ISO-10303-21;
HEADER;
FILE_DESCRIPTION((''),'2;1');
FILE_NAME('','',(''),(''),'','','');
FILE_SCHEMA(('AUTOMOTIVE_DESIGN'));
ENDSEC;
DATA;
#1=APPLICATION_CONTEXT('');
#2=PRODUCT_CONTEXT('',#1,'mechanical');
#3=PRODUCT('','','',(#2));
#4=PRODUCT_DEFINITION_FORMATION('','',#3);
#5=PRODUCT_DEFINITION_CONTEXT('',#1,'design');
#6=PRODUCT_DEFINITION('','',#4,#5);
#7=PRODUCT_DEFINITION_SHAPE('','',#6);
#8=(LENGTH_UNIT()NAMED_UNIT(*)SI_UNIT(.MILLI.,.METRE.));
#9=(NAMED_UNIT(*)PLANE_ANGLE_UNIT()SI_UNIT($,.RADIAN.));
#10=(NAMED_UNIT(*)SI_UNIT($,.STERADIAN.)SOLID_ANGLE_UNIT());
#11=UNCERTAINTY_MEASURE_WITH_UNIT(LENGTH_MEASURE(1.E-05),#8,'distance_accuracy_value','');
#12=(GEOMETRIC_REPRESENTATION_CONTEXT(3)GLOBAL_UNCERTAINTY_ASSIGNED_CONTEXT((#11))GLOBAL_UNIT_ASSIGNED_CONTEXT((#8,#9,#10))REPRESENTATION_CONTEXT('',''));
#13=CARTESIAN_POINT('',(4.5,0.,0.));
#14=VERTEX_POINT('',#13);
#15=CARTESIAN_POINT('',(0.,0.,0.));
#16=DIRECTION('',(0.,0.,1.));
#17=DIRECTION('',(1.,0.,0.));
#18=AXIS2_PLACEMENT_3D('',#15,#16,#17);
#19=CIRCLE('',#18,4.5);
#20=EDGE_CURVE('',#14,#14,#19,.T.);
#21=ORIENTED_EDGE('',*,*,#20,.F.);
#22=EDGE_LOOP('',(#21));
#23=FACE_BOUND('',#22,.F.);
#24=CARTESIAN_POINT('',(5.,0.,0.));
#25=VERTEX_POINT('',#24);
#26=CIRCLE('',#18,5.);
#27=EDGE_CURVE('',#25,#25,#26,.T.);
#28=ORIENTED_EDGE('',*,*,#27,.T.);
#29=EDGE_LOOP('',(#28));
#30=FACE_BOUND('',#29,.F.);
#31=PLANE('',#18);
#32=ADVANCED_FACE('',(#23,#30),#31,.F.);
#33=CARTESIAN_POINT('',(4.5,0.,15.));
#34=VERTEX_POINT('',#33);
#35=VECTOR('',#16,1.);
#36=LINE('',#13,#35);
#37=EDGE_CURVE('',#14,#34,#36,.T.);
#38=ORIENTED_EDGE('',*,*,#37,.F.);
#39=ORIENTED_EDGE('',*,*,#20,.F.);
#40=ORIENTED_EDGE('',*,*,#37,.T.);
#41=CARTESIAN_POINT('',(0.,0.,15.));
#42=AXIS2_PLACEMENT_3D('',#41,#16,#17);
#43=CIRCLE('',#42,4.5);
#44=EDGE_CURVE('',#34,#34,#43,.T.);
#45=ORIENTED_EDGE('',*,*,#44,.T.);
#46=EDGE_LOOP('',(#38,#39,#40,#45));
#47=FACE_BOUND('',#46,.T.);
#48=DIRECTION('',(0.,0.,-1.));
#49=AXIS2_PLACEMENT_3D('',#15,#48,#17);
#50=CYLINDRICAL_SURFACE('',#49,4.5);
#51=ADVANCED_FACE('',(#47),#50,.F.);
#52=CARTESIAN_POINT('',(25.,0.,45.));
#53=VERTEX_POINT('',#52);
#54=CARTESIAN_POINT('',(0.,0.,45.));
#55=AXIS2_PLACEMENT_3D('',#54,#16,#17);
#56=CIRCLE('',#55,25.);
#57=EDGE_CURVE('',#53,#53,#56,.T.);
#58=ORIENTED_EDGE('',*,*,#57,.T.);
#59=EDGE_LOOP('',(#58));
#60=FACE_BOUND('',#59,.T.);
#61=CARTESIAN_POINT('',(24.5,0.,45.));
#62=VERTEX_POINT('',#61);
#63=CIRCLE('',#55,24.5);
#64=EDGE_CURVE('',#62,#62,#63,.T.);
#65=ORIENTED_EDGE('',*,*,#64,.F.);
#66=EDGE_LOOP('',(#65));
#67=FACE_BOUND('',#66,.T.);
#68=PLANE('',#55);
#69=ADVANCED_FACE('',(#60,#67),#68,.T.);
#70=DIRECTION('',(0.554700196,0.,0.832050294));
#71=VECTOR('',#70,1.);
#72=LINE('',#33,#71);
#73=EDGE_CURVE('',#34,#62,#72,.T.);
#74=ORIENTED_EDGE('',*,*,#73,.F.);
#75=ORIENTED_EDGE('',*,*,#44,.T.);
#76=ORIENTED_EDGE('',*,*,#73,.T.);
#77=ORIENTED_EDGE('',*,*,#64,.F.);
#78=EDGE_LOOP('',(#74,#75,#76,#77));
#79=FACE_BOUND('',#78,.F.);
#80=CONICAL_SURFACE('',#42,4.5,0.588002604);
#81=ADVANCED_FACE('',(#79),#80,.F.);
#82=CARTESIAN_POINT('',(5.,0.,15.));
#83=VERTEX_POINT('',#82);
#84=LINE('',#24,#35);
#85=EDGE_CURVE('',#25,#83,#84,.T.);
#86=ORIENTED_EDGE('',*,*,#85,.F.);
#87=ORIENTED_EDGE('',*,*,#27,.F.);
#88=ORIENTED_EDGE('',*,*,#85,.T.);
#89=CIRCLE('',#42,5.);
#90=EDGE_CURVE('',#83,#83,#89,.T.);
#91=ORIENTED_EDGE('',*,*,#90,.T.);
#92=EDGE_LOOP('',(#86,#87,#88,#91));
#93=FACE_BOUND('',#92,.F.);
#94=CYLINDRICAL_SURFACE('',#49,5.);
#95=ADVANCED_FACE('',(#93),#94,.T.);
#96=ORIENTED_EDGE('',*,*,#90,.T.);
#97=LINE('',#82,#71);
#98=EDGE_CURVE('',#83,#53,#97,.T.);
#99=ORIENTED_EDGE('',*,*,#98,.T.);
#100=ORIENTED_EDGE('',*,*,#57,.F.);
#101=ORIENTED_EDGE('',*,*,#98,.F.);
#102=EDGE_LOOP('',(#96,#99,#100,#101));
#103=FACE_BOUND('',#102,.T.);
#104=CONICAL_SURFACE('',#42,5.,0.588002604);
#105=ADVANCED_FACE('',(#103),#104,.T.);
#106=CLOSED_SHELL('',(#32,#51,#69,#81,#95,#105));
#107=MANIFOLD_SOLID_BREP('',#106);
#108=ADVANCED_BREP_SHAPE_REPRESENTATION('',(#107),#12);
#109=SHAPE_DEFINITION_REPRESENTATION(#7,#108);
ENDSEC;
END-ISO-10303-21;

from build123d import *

# Parameters (mm, degrees)
CYLINDER001_R     = 4.5
CYLINDER001_DEPTH = 15
CYLINDER_R        = 5
CYLINDER_DEPTH    = 15


with BuildPart() as cilindro_interno:
    # Cylinder001 → Cylinder001 (new body)
    with BuildSketch(Plane.XY):
        Circle(CYLINDER001_R)
    extrude(amount=CYLINDER001_DEPTH)


with BuildPart() as cilindro:
    # Cylinder → Cylinder (new body)
    with BuildSketch(Plane.XY):
        Circle(CYLINDER_R)
    extrude(amount=CYLINDER_DEPTH)

    # Cut: cut cilindro_interno
    add(cilindro_interno.part, mode=Mode.SUBTRACT)


with BuildPart() as cono_interior:
    # Cone001 → Cone001 (revolve)
    with BuildSketch(Plane.XZ):
        Polygon((0, 0), (4.5, 0), (24.5, 30), (0, 30), align=None)
    revolve(axis=Axis((0, 0, 0), (0, 0, 1)))


with BuildPart() as fonil:
    # Cone → Cone (revolve)
    with BuildSketch(Plane.XZ):
        Polygon((0, 0), (5, 0), (25, 30), (0, 30), align=None)
    revolve(axis=Axis((0, 0, 0), (0, 0, 1)))

    # Cut001: cut cono_interior
    add(cono_interior.part, mode=Mode.SUBTRACT)


with BuildPart() as fonil_1:
    # Cut001 placement: moved
    add(fonil.part.moved(Location((0, 0, 15))))

    # Fusion: union cilindro
    add(cilindro.part)


solid = fonil_1.part
